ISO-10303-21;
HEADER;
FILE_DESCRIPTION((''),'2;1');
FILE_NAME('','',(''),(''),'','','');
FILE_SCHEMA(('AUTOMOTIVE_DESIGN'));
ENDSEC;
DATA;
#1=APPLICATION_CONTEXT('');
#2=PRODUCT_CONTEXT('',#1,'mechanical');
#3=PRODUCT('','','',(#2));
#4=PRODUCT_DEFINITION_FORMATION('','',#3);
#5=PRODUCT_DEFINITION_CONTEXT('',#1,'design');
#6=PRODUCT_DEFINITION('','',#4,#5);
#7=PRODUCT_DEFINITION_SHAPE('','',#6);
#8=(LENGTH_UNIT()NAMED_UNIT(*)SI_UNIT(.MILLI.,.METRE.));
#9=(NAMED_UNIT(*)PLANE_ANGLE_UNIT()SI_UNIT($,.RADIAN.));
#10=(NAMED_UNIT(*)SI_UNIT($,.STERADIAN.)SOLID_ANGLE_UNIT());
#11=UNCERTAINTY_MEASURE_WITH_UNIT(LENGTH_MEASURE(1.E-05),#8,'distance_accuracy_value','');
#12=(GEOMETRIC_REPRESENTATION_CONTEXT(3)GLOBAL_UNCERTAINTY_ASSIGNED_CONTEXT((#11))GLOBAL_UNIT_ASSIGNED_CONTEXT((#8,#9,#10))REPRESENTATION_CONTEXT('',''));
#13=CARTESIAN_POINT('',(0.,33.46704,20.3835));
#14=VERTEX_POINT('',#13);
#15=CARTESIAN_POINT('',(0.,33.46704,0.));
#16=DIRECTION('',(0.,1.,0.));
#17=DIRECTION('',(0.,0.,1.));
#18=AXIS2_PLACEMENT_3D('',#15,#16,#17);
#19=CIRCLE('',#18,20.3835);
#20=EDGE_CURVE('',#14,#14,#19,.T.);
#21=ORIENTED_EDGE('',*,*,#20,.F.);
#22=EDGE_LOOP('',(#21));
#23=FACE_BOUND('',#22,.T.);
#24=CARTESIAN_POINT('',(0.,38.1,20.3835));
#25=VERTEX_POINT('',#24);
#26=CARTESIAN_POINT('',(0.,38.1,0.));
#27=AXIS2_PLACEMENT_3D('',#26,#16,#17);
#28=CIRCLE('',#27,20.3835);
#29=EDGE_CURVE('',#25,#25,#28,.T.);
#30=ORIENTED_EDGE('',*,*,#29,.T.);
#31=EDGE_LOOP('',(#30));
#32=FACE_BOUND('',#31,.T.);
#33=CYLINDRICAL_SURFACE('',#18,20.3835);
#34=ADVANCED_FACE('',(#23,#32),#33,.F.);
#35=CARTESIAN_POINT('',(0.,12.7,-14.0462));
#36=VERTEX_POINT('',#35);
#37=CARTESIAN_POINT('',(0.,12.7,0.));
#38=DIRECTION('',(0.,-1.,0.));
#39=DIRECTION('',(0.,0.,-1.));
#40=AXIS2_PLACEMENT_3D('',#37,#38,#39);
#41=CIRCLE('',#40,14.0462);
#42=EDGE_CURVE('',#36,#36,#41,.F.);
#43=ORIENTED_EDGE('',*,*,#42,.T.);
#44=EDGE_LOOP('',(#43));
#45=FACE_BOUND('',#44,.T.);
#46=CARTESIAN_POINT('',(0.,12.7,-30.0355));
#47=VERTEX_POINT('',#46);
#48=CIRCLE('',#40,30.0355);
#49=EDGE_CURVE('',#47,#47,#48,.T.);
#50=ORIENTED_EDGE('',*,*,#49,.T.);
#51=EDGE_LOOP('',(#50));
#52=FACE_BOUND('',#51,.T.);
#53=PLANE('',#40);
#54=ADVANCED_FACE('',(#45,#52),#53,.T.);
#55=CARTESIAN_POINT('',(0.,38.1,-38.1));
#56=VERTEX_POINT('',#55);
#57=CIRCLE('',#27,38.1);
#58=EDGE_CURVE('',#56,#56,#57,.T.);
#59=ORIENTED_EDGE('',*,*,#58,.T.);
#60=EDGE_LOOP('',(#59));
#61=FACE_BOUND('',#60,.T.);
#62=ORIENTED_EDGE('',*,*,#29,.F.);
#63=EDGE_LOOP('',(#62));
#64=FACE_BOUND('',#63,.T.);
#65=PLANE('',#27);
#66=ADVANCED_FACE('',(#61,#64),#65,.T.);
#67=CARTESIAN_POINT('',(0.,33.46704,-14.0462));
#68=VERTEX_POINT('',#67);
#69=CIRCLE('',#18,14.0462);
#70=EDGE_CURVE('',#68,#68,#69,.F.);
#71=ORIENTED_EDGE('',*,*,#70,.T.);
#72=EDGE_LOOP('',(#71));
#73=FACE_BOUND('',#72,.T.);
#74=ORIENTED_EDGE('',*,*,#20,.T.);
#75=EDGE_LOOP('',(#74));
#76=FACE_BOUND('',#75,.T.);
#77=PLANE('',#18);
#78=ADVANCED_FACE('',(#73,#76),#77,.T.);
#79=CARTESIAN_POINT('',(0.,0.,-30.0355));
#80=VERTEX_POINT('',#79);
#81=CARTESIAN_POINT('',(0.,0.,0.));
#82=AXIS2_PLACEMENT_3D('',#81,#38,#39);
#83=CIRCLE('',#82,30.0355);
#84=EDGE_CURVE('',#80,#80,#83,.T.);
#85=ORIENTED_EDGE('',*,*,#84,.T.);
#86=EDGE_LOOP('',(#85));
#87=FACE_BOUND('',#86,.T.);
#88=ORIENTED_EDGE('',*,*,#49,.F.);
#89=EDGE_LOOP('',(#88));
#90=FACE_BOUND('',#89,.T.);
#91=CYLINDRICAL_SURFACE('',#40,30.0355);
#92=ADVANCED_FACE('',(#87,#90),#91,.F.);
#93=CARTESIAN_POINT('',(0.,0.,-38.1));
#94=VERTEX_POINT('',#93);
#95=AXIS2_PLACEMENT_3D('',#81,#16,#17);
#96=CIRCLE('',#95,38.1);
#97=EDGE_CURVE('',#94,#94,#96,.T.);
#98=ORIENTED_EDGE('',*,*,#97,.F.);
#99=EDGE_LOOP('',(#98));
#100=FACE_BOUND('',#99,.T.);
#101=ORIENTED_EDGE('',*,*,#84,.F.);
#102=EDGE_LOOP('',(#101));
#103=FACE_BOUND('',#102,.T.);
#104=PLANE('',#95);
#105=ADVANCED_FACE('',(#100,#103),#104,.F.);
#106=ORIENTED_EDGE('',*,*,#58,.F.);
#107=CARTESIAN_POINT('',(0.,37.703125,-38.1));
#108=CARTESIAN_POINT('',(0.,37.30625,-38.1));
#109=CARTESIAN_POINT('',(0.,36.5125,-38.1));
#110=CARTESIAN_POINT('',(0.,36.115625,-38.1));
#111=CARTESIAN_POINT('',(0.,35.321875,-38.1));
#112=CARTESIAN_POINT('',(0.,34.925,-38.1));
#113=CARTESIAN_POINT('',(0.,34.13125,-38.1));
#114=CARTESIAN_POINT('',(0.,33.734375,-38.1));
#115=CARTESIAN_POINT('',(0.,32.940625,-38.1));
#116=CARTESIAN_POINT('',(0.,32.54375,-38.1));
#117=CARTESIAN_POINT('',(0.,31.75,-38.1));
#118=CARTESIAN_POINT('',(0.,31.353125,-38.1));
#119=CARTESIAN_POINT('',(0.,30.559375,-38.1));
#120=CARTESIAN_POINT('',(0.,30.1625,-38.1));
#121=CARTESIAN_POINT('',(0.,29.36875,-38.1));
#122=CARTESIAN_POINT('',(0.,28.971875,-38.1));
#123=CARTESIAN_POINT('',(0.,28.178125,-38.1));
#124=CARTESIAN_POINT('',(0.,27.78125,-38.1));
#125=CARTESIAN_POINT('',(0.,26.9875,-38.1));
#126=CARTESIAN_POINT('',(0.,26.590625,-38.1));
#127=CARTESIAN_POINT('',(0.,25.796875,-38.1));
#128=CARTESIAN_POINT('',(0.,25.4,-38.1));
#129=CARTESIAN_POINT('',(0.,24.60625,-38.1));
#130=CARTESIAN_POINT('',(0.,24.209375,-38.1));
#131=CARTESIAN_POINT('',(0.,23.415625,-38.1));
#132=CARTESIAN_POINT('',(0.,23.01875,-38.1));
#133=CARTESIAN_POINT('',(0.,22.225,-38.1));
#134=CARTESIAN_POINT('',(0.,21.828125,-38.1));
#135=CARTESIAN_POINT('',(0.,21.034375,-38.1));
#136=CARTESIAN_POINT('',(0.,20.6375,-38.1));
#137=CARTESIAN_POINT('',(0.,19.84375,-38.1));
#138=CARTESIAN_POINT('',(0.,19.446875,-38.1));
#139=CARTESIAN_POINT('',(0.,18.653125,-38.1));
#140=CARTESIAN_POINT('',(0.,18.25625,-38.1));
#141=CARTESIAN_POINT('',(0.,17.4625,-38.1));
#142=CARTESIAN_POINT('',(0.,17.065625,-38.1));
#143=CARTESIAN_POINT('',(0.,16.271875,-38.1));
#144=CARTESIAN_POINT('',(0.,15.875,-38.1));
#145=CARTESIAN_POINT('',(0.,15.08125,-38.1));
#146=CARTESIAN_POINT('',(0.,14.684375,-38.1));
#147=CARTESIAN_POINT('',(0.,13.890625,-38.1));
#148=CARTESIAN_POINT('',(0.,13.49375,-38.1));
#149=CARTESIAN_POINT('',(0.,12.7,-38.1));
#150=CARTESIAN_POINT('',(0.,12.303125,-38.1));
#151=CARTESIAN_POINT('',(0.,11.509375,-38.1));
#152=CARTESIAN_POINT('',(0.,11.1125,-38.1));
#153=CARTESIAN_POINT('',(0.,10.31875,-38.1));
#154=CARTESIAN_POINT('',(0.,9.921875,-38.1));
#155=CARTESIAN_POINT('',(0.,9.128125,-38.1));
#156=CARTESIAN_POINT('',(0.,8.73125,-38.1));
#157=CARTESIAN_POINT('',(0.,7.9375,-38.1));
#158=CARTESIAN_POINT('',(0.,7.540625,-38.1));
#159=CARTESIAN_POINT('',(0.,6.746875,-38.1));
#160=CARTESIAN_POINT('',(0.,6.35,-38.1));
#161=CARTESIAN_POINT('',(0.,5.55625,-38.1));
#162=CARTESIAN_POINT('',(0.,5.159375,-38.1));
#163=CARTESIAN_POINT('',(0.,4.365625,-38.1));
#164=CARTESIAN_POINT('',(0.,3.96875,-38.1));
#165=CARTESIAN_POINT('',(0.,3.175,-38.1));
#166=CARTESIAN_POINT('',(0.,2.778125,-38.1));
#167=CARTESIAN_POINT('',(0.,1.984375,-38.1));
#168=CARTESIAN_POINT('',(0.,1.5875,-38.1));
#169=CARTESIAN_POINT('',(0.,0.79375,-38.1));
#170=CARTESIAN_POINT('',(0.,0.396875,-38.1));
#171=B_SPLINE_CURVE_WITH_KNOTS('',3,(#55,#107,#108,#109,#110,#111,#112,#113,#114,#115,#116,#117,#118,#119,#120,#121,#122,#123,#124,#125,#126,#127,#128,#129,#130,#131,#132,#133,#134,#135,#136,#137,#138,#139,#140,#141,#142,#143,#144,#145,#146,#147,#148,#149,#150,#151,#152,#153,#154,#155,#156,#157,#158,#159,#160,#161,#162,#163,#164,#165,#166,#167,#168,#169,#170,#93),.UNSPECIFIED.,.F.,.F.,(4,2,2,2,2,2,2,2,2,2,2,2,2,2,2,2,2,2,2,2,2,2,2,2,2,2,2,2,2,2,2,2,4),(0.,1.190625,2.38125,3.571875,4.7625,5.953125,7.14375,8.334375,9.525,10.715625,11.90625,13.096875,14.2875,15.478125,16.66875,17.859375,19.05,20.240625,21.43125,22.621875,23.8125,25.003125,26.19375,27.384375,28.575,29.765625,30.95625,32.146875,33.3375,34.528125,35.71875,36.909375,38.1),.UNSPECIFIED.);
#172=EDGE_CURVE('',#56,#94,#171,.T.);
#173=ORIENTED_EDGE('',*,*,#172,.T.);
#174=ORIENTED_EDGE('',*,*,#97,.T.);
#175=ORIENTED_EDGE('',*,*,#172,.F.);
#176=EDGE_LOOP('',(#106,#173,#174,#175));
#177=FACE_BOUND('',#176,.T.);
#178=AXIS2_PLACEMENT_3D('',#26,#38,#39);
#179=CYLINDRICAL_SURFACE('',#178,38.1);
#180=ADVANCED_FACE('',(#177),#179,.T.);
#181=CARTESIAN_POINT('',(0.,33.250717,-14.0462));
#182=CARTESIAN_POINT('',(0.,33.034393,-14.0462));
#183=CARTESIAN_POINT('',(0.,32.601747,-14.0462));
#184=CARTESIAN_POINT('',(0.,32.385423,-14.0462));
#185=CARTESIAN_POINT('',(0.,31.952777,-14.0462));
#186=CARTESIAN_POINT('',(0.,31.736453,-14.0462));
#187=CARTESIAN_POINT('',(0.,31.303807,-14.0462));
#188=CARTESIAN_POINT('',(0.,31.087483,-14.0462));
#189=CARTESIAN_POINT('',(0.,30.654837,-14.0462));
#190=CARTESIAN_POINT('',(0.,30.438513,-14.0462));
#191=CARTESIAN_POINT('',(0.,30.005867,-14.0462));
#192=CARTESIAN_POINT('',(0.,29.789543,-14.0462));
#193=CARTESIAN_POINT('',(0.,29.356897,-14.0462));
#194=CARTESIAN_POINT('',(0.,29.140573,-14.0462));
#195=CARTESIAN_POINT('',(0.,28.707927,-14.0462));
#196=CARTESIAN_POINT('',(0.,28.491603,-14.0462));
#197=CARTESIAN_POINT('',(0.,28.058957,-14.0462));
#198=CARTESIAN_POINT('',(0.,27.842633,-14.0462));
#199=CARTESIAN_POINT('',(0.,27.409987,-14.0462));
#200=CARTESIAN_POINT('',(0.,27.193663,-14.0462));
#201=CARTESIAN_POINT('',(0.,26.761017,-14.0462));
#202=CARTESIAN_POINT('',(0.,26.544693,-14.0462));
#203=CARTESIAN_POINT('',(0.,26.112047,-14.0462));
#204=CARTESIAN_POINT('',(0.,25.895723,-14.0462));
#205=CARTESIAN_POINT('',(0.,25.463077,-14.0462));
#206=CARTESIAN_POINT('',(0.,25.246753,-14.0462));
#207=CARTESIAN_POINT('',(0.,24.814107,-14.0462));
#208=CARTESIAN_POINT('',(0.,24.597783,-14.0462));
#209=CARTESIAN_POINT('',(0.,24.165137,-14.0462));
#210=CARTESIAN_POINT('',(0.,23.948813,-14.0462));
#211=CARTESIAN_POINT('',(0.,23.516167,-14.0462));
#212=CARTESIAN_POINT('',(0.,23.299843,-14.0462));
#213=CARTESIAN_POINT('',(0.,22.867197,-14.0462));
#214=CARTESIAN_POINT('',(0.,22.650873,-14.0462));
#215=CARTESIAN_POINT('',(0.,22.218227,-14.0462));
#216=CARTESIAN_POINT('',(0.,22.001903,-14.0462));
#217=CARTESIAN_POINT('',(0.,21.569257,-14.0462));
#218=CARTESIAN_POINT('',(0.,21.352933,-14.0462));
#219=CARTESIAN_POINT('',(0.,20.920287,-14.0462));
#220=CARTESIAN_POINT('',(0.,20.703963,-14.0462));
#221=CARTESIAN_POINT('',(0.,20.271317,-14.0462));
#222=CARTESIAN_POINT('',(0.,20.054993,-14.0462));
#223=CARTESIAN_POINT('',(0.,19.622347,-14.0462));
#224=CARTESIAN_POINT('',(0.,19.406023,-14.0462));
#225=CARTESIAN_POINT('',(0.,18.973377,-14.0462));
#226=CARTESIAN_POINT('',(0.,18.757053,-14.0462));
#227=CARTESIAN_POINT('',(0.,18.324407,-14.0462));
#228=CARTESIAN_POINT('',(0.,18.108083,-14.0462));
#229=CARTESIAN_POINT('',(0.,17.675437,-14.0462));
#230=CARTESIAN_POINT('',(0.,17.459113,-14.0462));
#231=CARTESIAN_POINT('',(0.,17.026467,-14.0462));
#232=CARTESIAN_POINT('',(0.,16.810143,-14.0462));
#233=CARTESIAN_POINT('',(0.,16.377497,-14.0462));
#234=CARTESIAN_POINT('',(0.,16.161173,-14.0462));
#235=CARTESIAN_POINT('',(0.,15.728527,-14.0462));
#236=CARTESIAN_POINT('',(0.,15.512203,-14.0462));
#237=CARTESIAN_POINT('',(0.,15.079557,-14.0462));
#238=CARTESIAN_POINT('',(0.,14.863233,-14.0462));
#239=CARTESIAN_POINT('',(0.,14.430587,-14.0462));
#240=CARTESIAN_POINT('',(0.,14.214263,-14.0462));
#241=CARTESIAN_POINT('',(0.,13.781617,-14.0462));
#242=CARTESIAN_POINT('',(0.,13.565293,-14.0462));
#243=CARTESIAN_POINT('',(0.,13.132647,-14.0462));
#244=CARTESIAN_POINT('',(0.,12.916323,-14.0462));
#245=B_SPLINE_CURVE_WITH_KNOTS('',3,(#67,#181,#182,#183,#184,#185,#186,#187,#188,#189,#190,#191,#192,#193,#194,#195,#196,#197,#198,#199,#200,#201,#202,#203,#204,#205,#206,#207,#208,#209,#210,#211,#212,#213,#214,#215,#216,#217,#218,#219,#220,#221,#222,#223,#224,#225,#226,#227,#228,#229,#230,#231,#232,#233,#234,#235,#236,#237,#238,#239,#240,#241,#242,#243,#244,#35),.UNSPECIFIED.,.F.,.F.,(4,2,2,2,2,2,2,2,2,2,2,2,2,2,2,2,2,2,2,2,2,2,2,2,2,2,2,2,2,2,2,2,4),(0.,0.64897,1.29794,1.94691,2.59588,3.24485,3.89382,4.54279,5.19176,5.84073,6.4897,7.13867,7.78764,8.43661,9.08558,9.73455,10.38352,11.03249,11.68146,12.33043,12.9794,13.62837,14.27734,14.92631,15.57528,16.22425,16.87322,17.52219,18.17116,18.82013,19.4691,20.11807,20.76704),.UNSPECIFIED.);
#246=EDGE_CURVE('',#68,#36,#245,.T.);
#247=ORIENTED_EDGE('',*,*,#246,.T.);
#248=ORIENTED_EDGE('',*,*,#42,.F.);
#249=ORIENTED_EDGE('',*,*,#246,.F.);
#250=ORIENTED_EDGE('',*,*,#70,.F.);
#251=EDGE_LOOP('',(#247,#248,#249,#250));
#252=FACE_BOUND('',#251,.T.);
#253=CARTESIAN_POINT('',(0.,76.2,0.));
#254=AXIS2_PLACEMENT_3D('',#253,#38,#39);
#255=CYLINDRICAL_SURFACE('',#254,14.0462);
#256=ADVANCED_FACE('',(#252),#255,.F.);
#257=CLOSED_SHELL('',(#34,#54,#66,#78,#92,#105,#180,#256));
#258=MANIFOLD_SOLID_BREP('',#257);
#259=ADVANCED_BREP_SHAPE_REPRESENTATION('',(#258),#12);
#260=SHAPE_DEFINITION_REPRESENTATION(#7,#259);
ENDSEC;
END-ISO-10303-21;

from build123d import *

# Parameters (mm, degrees)
SKETCH1_R           = 38.1
BOSS_EXTRUDE1_DEPTH = 38.1
SKETCH2_R           = 14.0462
CUT_EXTRUDE1_DEPTH  = 76.2
SKETCH3_R           = 20.3835
CUT_EXTRUDE2_DEPTH  = 4.63296
SKETCH4_R           = 30.0355
CUT_EXTRUDE3_DEPTH  = 12.7


with BuildPart() as part:
    # Sketch1 → Boss-Extrude1 (new body)
    with BuildSketch(Plane(origin=(0, 0, 0), x_dir=(1, 0, 0), z_dir=(0, 1, 0))):
        with Locations(Location((0, 0, 0), (0, 0, 90))):
            Circle(SKETCH1_R)
    extrude(amount=BOSS_EXTRUDE1_DEPTH)

    # Sketch2 → Cut-Extrude1 (cut)
    with BuildSketch(Plane.XZ):
        with Locations(Location((0, 0, 0), (0, 0, 270))):
            Circle(SKETCH2_R)
    extrude(amount=-CUT_EXTRUDE1_DEPTH, mode=Mode.SUBTRACT)

    # Sketch3 → Cut-Extrude2 (cut)
    with BuildSketch(Plane(origin=(0, 38.1, 0), x_dir=(1, 0, 0), z_dir=(0, 1, 0))):
        with Locations(Location((0, 0, 0), (0, 0, 270))):
            Circle(SKETCH3_R)
    extrude(amount=-CUT_EXTRUDE2_DEPTH, mode=Mode.SUBTRACT)

    # Sketch4 → Cut-Extrude3 (cut)
    with BuildSketch(Plane.XZ):
        with Locations(Location((0, 0, 0), (0, 0, 270))):
            Circle(SKETCH4_R)
    extrude(amount=-CUT_EXTRUDE3_DEPTH, mode=Mode.SUBTRACT)


solid = part.part
